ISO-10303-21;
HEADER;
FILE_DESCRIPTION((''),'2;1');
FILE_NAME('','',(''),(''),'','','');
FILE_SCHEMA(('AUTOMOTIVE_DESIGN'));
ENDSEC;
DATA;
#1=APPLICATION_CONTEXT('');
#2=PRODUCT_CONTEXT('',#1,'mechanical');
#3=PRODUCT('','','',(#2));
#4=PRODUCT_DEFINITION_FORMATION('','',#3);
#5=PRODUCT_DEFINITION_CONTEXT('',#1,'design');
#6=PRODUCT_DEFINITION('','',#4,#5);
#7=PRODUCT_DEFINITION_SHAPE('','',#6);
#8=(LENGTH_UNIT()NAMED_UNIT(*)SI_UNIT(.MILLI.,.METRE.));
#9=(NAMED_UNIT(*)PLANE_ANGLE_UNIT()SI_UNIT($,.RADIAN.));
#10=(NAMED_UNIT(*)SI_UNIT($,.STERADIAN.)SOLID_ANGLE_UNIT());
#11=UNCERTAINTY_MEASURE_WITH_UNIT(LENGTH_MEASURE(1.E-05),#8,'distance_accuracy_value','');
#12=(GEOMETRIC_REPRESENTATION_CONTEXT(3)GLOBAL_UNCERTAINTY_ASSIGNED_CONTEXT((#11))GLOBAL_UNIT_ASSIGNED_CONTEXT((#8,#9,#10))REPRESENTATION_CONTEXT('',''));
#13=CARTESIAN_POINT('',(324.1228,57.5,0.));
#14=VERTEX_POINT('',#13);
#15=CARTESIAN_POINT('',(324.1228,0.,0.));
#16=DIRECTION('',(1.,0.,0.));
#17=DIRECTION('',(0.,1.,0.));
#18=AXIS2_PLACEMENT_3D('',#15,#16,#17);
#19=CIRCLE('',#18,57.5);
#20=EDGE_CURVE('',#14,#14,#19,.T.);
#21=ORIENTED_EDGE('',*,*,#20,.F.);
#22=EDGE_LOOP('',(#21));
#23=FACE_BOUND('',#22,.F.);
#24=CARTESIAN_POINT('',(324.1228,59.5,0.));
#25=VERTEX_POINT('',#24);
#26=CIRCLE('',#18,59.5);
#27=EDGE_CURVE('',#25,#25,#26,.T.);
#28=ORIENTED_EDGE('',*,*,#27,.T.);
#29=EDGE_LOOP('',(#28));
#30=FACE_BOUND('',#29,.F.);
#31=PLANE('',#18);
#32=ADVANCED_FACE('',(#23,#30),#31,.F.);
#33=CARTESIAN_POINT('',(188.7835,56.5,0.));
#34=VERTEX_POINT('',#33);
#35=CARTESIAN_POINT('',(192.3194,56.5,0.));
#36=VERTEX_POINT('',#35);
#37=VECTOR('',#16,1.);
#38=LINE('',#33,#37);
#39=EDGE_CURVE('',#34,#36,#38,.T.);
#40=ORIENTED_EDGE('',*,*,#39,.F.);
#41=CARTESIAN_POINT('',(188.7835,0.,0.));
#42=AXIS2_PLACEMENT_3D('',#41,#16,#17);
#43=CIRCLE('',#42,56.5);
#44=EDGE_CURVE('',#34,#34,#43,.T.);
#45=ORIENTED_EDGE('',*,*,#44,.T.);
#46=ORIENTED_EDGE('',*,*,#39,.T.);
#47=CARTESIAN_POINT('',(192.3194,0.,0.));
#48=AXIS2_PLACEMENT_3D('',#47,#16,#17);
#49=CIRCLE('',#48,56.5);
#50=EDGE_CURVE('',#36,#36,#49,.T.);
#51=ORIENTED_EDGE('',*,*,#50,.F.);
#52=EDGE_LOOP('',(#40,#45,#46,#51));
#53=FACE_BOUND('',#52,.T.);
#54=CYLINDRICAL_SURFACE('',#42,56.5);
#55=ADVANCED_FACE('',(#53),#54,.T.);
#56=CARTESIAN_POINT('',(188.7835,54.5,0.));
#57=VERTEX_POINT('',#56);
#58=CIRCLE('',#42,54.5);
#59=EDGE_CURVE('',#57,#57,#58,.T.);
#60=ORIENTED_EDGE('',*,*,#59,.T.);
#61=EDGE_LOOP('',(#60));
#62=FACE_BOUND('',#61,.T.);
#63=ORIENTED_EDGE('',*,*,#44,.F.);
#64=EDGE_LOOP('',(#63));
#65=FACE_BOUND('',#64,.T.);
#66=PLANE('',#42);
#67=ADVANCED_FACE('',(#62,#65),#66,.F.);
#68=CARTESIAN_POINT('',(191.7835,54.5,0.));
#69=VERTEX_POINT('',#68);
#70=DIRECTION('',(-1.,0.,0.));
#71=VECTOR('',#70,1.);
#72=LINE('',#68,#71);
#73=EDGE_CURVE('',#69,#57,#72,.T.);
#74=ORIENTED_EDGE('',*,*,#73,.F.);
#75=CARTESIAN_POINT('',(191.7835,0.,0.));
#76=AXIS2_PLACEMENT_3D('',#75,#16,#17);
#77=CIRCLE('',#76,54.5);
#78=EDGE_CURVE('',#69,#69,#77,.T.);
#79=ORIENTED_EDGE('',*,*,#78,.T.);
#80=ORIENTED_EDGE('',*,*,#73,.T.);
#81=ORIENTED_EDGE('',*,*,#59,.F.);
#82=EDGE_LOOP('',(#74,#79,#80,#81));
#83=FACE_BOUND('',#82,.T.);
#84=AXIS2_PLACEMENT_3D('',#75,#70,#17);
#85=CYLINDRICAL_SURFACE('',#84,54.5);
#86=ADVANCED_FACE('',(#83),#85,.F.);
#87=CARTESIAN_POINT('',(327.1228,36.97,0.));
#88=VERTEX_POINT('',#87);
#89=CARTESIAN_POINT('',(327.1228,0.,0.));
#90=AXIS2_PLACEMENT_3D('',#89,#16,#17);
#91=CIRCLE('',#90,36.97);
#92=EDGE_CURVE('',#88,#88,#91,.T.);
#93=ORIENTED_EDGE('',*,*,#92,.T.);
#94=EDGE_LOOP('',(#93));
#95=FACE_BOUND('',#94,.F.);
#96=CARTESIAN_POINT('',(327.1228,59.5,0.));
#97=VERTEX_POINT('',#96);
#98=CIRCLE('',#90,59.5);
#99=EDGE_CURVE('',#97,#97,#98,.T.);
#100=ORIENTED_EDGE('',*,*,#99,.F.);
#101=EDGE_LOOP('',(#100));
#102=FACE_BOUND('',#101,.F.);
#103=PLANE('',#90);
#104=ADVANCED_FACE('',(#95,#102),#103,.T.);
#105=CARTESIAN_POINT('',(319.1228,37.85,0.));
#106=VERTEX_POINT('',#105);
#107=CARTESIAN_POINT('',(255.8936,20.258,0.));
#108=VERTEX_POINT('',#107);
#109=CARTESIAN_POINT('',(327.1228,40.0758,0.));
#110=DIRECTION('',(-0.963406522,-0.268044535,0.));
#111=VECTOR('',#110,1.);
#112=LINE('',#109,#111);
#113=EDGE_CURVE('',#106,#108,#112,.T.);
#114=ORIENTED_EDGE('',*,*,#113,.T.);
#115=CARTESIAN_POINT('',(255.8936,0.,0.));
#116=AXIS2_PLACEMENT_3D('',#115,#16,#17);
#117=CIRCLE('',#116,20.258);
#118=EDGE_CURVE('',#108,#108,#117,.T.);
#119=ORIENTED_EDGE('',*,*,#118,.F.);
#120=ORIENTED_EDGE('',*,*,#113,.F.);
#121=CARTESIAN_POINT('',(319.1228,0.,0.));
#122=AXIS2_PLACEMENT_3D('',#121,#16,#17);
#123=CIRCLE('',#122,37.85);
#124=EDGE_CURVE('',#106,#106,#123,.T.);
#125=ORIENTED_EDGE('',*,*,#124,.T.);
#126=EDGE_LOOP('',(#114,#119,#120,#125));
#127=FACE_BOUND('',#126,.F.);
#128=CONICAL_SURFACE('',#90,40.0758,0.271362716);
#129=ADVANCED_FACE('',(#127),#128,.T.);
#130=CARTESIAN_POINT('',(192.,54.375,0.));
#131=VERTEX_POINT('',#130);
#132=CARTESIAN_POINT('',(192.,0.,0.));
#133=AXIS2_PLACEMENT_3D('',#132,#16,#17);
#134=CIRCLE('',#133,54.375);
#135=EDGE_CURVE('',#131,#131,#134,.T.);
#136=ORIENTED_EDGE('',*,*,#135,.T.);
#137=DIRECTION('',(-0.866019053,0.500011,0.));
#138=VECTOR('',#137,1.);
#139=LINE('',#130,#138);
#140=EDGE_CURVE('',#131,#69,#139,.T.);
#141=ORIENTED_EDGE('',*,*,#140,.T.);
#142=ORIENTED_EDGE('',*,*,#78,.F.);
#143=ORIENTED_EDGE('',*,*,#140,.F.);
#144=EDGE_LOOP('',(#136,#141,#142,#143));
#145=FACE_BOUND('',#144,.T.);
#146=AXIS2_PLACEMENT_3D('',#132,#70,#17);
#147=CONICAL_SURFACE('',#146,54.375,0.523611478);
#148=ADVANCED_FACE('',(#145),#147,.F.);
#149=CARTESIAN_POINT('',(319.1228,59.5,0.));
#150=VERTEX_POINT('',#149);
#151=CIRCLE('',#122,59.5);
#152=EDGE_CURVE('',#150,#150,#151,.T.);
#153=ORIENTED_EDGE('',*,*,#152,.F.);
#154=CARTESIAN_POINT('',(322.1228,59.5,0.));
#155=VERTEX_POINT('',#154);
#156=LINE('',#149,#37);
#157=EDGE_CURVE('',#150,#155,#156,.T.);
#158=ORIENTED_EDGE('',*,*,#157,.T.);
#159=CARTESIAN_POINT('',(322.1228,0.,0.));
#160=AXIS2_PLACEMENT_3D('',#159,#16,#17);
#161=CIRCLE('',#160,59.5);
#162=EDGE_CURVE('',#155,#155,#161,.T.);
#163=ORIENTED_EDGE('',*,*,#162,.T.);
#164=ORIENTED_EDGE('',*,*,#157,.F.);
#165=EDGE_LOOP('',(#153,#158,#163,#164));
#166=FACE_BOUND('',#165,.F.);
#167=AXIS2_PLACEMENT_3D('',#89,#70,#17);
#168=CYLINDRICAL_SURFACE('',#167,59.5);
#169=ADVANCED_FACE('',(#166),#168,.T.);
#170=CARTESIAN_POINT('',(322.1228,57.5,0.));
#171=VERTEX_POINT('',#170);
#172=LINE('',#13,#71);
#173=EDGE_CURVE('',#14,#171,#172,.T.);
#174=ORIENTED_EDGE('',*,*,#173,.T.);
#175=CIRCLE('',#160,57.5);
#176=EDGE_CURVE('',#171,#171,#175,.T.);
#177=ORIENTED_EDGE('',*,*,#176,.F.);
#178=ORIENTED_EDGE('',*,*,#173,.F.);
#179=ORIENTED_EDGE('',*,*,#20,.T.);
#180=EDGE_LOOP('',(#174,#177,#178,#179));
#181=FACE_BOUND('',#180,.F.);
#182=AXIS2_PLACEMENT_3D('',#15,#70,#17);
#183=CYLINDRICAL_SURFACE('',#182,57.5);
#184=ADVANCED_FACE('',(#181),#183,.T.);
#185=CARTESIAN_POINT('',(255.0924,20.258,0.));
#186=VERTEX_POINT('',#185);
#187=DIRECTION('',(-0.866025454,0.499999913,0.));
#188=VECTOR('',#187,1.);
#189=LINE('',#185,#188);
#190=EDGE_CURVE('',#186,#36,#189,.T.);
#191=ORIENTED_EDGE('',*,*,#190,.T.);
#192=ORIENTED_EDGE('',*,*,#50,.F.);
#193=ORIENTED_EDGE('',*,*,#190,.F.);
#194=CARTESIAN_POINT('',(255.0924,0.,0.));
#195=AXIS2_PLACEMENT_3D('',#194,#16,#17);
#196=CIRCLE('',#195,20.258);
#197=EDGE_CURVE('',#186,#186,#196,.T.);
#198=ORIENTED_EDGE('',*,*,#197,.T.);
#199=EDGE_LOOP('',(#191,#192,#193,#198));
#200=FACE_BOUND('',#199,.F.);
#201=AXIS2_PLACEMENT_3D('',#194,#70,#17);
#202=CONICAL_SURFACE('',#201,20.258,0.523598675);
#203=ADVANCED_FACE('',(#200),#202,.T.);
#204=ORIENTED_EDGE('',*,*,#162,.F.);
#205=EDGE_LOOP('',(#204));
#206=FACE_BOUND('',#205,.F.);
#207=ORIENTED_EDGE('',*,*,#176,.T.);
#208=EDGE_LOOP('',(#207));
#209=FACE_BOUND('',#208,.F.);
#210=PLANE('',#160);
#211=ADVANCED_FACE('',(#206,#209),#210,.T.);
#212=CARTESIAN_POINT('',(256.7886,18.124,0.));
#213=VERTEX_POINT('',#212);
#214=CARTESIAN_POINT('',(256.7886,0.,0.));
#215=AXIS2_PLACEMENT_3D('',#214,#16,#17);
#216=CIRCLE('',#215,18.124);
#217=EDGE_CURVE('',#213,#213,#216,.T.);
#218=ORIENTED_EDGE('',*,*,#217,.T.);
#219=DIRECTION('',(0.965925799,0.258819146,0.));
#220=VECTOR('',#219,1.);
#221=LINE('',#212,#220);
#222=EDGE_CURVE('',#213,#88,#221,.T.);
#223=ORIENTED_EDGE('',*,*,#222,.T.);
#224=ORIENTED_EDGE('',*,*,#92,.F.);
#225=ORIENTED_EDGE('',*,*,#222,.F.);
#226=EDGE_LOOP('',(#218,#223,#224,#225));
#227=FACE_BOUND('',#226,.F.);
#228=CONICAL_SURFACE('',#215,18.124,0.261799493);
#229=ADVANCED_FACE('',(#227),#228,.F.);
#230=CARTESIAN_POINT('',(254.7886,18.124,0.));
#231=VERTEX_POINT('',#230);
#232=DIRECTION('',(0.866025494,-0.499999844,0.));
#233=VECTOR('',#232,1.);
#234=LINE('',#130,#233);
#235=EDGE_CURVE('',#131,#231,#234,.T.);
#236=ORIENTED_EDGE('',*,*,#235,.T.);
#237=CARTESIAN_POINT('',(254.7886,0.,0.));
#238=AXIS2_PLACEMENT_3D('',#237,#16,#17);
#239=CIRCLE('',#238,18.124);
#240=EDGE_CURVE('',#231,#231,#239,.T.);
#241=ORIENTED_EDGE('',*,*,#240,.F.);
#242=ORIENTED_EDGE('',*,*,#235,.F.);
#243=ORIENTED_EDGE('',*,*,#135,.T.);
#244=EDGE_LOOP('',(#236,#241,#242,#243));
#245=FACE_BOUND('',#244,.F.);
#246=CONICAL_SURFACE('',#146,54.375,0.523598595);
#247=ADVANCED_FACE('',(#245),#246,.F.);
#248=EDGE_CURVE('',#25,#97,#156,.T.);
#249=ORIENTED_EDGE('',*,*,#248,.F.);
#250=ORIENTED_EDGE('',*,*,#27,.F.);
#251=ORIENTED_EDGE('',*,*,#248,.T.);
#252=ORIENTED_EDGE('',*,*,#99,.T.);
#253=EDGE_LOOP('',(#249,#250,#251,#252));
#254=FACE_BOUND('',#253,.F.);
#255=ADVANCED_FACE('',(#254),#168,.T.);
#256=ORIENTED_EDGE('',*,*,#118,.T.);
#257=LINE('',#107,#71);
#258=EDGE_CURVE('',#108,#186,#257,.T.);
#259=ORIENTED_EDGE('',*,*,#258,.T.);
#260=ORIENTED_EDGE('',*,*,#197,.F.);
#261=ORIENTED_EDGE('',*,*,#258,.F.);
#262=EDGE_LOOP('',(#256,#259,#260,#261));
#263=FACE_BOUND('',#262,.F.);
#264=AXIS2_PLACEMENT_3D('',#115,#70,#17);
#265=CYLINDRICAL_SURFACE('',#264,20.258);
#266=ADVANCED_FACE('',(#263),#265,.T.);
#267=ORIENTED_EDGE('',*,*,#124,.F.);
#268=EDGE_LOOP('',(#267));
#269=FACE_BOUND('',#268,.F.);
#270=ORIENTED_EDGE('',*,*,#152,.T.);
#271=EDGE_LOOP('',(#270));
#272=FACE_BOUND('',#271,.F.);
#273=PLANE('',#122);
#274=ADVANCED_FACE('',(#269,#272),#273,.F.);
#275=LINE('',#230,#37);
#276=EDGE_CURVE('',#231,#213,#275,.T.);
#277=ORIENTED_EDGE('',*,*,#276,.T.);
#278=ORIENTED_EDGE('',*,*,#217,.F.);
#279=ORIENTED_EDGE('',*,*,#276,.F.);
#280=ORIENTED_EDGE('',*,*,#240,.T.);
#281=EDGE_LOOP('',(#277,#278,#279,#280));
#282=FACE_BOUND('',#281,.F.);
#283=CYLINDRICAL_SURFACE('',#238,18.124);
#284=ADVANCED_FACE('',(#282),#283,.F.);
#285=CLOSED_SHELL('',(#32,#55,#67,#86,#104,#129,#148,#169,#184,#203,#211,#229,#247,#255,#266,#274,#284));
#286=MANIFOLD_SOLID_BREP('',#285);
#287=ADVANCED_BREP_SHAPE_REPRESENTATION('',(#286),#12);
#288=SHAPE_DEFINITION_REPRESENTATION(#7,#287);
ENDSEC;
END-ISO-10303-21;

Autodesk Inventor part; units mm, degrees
ref_plane "YZ Plane" through (0, 0, 0) normal (1, 0, 0) x (0, 1, 0)
ref_plane "XZ Plane" through (0, 0, 0) normal (0, 1, 0) x (-1, 0, 0)
ref_plane "XY Plane" through (0, 0, 0) normal (0, 0, 1) x (1, 0, 0)
sketch "Sketch1" plane through (0, 0, 0) normal (0, 0, 1) x (1, 0, 0)
  line L0 (254.7886, 18.124) -> (254.7886, 0) construction
  line L1 (192, 54.375) -> (254.7886, 18.124)
  line L2 (0, 0) -> (487.78, 0)
  line L3 (254.7886, 18.124) -> (256.7886, 18.124)
  line L4 (256.7886, 18.124) -> (327.1228, 36.97)
  line L5 (327.1228, 36.97) -> (327.1228, 0)
  line L6 (327.1228, 40.0758) -> (255.8936, 20.258)
  line L7 (255.8936, 20.258) -> (255.0924, 20.258)
  line L8 (255.0924, 20.258) -> (192.3194, 56.5)
  line L9 (327.1228, 36.97) -> (327.1228, 40.0758)
  line L10 (192, 54.375) -> (191.7835, 54.5)
  line L11 (0, 0) -> (0, 54.5)
  line L12 (0, 54.5) -> (274.8621, 54.5) construction
  line L13 (191.7835, 54.5) -> (188.7835, 54.5)
  line L14 (188.7835, 54.5) -> (188.7835, 56.5)
  line L15 (188.7835, 56.5) -> (192.3194, 56.5)
  line L16 (327.1228, 0) -> (327.1228, 59.5)
  line L17 (327.1228, 59.5) -> (323.1228, 59.5)
  line L18 (323.1228, 59.5) -> (319.1228, 59.5)
  line L19 (319.1228, 59.5) -> (319.1228, 37.85)
  line L20 (188.7835, 54.5) -> (188.7835, 0)
  point P0 (322.4487, 38.7754)
  point P1 (191.9595, 55.4142)
  point P2 (188.9595, 55.4)
  point P3 (323.1228, 38.9629)
  dimension "d2" = 18.124
  dimension "d4" = 30
  dimension "d5" = 18.124
  dimension "d6" = 2
  dimension "d7" = 15
  dimension "d8" = 36.97
  dimension "d9" = 2
  dimension "d19" = 54.5
  dimension "d20" = 3
  dimension "d21" = 2
  dimension "d22" = 59.5
  dimension "d23" = 4
  dimension "d24" = 4
revolve "Revolution1" add sketch "Sketch1" angle 360 about axis through (0, 0, 0) along (1, 0, 0) contours L10 L13 L14 L15 L8 L7 L6 L9 L4 L3 L1 | L6 L19 L18 L17 L16
sketch "Sketch2" plane through (0, 0, 0) normal (0, 0, 1) x (1, 0, 0)
  line L0 (319.1228, -59.5) -> (319.1228, 59.5) projected
  line L1 (319.1228, 59.5) -> (322.1228, 59.5)
  line L2 (319.1228, 59.5) -> (327.1228, 59.5) projected
  line L3 (322.1228, 59.5) -> (324.1228, 59.5)
  line L4 (324.1228, 59.5) -> (324.1228, 57.5)
  line L5 (324.1228, 57.5) -> (322.1228, 57.5)
  line L6 (322.1228, 57.5) -> (322.1228, 59.5)
  line L7 (-65.4246, 0) -> (392.5474, 0) projected
  point P0 (0, 0)
  dimension "d25" = 3
  dimension "d26" = 2
  dimension "d27" = 2
revolve "Revolution2" cut sketch "Sketch2" angle 360 about axis through (-10, 0, 0) along (1, 0, 0)
properties part number "stainless steel final nozzle" material "Stainless Steel"
